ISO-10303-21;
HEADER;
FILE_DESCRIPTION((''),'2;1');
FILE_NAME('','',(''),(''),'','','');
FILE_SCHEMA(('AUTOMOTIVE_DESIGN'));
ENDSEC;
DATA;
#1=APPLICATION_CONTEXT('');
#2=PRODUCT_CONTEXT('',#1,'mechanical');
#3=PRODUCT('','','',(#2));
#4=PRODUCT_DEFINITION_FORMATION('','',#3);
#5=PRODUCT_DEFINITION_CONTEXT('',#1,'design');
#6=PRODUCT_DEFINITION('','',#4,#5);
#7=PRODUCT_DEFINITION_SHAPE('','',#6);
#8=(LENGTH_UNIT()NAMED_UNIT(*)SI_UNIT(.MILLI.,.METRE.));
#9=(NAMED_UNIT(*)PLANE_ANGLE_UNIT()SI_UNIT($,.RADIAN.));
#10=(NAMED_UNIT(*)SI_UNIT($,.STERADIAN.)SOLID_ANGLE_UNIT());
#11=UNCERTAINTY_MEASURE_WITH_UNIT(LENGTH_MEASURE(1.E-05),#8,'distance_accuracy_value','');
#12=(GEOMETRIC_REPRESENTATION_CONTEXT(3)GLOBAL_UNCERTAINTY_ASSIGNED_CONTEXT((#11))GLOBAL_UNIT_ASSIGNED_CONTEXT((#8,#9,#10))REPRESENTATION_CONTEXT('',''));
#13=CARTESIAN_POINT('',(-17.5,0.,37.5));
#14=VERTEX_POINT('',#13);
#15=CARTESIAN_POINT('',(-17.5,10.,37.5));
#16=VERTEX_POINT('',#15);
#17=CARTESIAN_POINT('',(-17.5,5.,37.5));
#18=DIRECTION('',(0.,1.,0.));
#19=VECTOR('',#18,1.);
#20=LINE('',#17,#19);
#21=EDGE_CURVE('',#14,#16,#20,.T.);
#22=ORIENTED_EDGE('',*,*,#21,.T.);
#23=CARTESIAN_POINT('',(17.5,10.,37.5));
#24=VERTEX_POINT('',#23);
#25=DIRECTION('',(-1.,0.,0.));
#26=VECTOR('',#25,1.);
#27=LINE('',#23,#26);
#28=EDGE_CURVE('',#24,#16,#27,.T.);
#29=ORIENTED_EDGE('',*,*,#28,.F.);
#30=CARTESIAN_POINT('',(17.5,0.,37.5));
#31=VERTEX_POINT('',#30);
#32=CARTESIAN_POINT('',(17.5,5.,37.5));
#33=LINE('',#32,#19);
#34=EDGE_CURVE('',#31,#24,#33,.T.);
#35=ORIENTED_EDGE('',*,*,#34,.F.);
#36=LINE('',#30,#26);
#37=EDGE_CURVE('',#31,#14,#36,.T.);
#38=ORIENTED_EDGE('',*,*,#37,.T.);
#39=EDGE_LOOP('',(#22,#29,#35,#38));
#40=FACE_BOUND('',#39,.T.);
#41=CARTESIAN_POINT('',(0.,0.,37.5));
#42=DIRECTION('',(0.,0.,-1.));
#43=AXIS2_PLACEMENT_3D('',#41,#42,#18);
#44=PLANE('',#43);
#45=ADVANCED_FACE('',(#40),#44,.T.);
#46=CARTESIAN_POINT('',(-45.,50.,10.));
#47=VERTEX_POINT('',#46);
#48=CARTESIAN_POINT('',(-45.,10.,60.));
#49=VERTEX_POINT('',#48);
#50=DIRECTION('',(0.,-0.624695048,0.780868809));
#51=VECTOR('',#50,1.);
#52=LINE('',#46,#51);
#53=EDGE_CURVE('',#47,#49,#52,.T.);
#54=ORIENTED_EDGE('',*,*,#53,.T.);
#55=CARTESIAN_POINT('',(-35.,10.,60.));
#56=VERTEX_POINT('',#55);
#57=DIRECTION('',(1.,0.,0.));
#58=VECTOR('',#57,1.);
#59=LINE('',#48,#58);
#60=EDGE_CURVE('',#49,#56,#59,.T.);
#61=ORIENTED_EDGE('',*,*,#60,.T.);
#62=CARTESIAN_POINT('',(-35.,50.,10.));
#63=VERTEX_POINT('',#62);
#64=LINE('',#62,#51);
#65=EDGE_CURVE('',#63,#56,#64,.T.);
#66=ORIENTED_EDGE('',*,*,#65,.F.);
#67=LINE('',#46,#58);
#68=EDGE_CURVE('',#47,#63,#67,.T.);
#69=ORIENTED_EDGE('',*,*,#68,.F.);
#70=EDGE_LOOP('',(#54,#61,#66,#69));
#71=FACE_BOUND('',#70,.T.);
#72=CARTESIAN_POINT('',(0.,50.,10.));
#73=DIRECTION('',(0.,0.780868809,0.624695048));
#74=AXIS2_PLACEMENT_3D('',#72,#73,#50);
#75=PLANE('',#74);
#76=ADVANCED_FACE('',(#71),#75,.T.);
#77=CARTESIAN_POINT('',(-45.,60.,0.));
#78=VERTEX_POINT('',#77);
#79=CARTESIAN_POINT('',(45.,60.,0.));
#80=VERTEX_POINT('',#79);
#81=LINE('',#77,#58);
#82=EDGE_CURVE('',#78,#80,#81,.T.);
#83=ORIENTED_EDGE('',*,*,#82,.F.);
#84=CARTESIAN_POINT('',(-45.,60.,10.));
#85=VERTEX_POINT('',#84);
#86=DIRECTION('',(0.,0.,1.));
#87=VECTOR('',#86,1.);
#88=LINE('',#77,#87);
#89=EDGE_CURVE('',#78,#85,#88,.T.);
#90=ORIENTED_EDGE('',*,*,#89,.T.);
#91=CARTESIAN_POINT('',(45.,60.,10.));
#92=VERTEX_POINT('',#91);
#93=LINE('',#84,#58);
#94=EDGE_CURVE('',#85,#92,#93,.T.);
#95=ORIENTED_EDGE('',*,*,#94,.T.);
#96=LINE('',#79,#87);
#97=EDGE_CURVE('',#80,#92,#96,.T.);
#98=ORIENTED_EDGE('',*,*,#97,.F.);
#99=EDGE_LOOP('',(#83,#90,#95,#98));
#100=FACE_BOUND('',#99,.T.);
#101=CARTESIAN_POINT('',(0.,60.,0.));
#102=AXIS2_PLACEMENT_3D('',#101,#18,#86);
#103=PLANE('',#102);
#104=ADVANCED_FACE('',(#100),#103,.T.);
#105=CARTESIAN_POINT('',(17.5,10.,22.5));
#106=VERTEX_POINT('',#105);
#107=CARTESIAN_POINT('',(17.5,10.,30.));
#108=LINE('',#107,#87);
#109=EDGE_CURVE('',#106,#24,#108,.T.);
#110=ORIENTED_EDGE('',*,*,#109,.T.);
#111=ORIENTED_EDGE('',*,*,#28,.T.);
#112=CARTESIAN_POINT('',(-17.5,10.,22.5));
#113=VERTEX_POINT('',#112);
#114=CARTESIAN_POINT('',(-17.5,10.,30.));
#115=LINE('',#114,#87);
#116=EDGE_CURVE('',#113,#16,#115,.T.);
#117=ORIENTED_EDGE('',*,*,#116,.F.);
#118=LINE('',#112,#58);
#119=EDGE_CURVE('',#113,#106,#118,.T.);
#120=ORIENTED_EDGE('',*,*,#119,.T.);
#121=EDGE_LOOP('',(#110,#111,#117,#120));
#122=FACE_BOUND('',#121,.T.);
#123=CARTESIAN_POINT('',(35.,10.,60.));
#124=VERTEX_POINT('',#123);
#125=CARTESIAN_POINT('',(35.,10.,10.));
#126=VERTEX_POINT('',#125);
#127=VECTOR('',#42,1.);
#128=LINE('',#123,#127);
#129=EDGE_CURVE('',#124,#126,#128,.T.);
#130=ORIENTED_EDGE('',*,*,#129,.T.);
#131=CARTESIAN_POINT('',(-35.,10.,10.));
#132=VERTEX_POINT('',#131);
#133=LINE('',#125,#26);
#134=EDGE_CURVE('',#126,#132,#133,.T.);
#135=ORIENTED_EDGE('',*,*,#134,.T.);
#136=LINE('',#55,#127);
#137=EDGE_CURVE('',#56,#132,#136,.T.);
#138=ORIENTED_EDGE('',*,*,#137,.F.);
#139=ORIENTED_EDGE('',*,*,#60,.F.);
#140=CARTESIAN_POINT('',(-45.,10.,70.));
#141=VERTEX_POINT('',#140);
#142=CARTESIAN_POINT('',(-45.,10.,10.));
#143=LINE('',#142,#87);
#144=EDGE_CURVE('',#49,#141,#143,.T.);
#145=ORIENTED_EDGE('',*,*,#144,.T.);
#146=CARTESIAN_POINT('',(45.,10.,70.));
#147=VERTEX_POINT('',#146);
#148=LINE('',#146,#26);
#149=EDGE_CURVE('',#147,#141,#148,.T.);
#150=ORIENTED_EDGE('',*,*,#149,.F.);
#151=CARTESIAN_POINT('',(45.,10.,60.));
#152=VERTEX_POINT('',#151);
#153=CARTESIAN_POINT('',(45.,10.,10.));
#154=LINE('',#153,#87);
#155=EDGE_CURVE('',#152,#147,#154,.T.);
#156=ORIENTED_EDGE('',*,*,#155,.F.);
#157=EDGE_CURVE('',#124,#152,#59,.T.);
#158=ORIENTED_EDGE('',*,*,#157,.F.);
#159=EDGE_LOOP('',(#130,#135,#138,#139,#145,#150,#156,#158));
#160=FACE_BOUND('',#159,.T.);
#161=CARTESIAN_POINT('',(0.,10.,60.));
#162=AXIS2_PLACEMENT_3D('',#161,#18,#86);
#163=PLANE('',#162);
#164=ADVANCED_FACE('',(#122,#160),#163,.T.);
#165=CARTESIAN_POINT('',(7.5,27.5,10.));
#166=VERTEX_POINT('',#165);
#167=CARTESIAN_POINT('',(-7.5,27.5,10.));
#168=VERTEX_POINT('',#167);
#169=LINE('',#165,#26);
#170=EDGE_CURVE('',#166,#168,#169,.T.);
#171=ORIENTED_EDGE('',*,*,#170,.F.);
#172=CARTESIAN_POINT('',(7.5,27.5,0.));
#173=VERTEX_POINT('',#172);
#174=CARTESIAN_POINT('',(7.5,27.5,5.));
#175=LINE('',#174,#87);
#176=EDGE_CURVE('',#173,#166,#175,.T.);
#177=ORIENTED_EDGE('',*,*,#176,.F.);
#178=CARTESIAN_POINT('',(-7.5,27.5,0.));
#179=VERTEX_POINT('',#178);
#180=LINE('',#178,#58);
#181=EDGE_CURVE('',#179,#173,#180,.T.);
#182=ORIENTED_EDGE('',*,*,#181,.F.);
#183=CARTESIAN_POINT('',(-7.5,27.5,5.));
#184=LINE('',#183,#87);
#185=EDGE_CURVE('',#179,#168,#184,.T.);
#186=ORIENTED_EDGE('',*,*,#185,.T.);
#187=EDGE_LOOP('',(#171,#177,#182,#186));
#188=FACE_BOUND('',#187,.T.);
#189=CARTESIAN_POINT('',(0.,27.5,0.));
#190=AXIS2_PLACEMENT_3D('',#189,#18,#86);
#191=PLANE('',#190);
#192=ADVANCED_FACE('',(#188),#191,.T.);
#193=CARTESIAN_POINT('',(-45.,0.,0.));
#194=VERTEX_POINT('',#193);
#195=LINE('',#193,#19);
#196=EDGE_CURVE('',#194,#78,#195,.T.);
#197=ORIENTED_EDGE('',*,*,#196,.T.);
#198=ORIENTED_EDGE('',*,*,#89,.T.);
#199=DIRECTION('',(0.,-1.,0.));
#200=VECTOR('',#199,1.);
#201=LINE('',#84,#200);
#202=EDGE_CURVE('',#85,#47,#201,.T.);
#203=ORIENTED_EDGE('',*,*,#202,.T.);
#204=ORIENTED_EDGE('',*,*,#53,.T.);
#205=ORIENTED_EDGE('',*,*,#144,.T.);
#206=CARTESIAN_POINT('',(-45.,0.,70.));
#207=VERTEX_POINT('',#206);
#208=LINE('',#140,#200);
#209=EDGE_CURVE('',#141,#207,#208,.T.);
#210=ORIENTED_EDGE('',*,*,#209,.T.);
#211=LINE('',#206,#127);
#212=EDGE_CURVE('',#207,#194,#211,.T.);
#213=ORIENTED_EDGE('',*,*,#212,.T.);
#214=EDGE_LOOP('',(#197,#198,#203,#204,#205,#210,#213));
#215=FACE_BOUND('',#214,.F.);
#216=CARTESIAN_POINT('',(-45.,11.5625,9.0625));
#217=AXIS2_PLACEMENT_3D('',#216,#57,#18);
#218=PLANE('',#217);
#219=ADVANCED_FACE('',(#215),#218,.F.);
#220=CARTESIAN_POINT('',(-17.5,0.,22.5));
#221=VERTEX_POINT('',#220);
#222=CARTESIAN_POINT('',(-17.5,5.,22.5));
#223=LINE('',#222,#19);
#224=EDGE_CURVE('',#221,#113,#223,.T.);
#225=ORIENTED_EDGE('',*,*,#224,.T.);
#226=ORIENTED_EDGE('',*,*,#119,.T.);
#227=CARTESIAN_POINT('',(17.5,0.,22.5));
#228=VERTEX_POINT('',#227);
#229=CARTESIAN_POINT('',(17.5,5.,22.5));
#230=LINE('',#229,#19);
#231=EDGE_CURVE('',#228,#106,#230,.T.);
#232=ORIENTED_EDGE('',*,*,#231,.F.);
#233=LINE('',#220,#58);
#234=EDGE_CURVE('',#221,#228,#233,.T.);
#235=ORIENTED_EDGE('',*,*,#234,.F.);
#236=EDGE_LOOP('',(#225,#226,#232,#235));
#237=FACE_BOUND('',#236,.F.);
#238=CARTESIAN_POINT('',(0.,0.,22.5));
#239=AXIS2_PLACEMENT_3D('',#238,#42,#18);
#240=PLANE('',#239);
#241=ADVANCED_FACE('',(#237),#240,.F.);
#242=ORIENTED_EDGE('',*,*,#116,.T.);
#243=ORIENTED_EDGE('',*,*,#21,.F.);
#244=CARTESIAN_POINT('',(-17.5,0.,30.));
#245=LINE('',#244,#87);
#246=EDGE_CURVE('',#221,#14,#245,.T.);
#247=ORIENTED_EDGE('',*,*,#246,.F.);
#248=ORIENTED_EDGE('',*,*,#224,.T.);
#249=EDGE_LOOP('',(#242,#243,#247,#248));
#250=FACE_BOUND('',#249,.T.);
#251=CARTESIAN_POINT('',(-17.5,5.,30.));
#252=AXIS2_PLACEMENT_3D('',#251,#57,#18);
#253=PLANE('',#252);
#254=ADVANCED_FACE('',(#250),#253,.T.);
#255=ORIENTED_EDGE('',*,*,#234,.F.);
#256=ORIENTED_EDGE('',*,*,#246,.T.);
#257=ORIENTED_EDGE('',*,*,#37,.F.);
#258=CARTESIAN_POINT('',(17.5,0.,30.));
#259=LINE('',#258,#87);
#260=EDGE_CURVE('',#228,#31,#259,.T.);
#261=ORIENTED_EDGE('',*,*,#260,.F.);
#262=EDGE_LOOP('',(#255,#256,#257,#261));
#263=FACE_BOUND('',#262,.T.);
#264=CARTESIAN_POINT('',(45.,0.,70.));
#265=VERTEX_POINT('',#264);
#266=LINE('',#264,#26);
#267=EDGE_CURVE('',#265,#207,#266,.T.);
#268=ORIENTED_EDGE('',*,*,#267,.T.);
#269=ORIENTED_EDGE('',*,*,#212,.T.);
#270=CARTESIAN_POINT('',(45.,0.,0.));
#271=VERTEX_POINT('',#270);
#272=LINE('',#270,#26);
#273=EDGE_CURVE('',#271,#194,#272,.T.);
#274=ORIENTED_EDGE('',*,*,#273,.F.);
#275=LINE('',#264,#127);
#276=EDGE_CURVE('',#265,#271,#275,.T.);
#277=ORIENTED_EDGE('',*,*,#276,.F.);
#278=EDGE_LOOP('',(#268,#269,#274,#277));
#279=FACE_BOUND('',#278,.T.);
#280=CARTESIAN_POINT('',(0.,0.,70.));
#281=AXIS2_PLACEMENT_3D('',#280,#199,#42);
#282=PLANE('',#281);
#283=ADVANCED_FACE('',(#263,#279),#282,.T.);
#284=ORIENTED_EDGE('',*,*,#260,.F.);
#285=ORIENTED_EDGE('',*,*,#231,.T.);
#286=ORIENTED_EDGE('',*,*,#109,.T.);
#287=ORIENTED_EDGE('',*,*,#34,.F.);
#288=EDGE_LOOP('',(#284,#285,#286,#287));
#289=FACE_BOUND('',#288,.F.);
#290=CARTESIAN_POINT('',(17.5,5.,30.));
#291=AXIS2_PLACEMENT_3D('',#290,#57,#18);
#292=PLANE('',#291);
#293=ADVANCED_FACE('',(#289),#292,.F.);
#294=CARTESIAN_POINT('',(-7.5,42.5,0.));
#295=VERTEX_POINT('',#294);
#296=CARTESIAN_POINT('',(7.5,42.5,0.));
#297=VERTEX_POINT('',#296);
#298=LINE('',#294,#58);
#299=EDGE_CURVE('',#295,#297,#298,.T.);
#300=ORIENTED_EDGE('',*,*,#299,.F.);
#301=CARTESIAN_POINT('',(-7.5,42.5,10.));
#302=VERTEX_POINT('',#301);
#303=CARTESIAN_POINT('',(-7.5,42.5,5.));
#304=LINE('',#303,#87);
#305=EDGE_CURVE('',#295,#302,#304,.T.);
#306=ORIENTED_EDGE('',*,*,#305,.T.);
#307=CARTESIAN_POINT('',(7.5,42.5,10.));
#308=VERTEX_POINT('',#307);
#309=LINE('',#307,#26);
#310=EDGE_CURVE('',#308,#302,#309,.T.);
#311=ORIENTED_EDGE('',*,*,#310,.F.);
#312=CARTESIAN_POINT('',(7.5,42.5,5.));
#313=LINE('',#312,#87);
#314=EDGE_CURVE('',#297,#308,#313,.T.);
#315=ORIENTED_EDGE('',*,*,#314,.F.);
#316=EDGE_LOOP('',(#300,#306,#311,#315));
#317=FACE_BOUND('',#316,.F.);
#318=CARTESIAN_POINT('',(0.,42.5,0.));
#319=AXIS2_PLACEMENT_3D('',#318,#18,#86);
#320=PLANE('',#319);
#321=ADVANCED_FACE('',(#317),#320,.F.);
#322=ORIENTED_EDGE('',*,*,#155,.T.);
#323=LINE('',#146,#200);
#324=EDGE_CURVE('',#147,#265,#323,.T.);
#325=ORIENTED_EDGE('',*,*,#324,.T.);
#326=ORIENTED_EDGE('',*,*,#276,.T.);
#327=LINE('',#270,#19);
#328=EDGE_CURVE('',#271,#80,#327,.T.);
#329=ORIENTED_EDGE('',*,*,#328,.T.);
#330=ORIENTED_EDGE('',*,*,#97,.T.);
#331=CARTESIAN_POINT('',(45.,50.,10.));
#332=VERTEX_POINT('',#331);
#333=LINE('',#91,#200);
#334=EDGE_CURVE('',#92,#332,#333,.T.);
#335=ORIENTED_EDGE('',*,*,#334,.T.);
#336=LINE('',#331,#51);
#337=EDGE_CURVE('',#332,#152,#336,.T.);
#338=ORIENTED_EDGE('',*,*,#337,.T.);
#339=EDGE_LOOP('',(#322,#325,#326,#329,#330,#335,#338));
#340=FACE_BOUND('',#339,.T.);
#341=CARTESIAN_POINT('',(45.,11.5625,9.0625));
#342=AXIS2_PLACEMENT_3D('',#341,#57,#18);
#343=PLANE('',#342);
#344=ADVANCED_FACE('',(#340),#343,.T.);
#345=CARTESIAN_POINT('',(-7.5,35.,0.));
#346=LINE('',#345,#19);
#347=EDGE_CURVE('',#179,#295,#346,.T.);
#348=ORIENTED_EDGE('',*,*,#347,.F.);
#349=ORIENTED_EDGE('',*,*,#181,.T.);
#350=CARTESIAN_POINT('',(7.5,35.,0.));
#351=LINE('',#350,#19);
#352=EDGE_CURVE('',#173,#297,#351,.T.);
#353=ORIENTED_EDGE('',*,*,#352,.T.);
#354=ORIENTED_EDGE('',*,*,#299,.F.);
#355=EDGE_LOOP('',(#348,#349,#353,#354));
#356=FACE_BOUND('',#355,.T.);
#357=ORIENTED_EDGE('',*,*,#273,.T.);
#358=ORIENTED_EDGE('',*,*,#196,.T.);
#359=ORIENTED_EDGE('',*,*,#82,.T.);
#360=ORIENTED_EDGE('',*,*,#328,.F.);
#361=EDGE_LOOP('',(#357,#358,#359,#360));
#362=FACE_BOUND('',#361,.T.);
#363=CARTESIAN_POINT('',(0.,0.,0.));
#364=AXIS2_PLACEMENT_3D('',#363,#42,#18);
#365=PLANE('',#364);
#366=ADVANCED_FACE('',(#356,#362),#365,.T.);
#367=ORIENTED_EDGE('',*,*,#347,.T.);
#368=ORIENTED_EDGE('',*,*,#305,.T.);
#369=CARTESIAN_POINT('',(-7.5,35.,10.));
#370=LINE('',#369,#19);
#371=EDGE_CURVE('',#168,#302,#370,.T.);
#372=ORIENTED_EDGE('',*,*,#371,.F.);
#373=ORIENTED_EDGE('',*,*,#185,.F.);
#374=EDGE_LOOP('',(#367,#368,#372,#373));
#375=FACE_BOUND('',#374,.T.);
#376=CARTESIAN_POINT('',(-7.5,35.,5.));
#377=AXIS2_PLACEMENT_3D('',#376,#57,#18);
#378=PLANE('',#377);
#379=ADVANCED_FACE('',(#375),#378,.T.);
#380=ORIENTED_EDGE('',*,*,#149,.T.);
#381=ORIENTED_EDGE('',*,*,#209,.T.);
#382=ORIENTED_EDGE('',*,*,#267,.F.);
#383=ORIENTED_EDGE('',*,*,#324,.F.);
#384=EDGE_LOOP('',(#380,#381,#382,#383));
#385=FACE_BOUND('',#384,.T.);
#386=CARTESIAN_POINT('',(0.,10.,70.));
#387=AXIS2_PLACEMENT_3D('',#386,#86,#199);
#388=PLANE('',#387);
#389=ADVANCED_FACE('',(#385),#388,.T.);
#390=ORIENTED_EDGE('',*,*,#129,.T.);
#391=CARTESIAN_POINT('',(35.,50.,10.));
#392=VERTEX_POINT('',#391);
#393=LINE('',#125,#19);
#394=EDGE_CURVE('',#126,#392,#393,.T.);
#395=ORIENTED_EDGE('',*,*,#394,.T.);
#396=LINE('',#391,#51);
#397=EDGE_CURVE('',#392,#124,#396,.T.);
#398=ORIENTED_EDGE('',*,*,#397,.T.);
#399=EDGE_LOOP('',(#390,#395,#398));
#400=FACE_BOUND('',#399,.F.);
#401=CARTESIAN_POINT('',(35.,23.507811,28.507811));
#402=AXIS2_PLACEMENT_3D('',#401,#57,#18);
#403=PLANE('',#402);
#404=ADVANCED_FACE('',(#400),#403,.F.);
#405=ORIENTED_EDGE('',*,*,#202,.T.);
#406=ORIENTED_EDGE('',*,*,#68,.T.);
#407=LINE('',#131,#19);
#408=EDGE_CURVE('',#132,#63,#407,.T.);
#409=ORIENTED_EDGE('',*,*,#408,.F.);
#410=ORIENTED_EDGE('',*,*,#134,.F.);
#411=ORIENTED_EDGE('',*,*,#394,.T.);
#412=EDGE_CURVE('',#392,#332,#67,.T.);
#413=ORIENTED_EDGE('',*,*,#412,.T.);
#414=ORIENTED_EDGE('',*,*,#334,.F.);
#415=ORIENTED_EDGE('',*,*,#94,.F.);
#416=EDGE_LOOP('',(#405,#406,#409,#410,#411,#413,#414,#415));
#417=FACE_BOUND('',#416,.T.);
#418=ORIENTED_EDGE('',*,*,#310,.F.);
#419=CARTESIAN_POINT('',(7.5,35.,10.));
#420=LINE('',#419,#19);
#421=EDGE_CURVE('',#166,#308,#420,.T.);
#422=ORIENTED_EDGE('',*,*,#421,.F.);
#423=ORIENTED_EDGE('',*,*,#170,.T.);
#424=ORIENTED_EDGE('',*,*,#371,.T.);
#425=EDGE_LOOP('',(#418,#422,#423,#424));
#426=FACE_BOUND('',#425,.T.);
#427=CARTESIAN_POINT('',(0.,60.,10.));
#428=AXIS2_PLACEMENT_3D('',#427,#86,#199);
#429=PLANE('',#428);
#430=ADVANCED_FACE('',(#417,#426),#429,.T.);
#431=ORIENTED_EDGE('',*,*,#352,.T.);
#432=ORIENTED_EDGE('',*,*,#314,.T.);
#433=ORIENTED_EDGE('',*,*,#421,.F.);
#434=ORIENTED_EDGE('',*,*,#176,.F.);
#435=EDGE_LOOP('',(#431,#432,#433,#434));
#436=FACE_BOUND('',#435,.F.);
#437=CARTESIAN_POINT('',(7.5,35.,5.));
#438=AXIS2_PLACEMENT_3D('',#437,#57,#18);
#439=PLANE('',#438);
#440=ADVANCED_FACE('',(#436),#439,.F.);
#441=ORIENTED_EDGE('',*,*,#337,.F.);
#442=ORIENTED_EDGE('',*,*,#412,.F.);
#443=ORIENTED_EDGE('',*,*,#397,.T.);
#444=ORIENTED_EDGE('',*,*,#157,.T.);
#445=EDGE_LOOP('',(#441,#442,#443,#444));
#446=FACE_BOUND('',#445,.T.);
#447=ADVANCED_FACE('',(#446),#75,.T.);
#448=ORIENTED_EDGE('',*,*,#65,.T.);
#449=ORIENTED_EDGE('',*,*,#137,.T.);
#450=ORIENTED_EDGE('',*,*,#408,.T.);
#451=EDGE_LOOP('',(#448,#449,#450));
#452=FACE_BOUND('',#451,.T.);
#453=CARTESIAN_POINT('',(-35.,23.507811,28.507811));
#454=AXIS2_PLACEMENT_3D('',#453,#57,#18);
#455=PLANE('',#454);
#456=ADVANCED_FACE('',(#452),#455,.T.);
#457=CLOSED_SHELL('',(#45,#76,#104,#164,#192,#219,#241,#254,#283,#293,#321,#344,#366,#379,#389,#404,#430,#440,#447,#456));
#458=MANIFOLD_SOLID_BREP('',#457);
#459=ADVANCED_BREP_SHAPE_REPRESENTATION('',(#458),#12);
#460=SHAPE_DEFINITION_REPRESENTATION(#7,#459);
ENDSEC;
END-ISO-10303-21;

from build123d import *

# Parameters (mm, degrees)
F0_W     = 10
F0_H     = 15
F0_W_2   = 15
F0_H_2   = 10
F1_DEPTH = 45
F2_DEPTH = 35
F3_DEPTH = 17.5
F4_DEPTH = 7.5


with BuildPart() as f1:
    # F0 (on Right) → F1 (new body, symmetric)
    with BuildSketch(Plane.YZ):
        Polygon((0, 22.5), (0, 0), (27.5, 0), (27.5, 10), (10, 10), (10, 22.5), align=None)
        with Locations((5, 30)):
            Rectangle(F0_W, F0_H)
        with Locations((35, 5)):
            Rectangle(F0_W_2, F0_H_2)
        Polygon((0, 70), (0, 37.5), (10, 37.5), (10, 60), (10, 70), align=None)
        Polygon((10, 37.5), (10, 22.5), (10, 10), (27.5, 10), (42.5, 10), (50, 10), (10, 60), align=None)
        Polygon((42.5, 10), (42.5, 0), (60, 0), (60, 10), (50, 10), align=None)
    extrude(amount=F1_DEPTH, both=True)

    # F0 (on Right) → F2 (cut, symmetric)
    with BuildSketch(Plane.YZ):
        Polygon((10, 37.5), (10, 22.5), (10, 10), (27.5, 10), (42.5, 10), (50, 10), (10, 60), align=None)
    extrude(amount=F2_DEPTH, both=True, mode=Mode.SUBTRACT)

    # F0 (on Right) → F3 (cut, symmetric)
    with BuildSketch(Plane.YZ):
        with Locations((5, 30)):
            Rectangle(F0_W, F0_H)
    extrude(amount=F3_DEPTH, both=True, mode=Mode.SUBTRACT)

    # F0 (on Right) → F4 (cut, symmetric)
    with BuildSketch(Plane.YZ):
        with Locations((35, 5)):
            Rectangle(F0_W_2, F0_H_2)
    extrude(amount=F4_DEPTH, both=True, mode=Mode.SUBTRACT)


solid = f1.part
